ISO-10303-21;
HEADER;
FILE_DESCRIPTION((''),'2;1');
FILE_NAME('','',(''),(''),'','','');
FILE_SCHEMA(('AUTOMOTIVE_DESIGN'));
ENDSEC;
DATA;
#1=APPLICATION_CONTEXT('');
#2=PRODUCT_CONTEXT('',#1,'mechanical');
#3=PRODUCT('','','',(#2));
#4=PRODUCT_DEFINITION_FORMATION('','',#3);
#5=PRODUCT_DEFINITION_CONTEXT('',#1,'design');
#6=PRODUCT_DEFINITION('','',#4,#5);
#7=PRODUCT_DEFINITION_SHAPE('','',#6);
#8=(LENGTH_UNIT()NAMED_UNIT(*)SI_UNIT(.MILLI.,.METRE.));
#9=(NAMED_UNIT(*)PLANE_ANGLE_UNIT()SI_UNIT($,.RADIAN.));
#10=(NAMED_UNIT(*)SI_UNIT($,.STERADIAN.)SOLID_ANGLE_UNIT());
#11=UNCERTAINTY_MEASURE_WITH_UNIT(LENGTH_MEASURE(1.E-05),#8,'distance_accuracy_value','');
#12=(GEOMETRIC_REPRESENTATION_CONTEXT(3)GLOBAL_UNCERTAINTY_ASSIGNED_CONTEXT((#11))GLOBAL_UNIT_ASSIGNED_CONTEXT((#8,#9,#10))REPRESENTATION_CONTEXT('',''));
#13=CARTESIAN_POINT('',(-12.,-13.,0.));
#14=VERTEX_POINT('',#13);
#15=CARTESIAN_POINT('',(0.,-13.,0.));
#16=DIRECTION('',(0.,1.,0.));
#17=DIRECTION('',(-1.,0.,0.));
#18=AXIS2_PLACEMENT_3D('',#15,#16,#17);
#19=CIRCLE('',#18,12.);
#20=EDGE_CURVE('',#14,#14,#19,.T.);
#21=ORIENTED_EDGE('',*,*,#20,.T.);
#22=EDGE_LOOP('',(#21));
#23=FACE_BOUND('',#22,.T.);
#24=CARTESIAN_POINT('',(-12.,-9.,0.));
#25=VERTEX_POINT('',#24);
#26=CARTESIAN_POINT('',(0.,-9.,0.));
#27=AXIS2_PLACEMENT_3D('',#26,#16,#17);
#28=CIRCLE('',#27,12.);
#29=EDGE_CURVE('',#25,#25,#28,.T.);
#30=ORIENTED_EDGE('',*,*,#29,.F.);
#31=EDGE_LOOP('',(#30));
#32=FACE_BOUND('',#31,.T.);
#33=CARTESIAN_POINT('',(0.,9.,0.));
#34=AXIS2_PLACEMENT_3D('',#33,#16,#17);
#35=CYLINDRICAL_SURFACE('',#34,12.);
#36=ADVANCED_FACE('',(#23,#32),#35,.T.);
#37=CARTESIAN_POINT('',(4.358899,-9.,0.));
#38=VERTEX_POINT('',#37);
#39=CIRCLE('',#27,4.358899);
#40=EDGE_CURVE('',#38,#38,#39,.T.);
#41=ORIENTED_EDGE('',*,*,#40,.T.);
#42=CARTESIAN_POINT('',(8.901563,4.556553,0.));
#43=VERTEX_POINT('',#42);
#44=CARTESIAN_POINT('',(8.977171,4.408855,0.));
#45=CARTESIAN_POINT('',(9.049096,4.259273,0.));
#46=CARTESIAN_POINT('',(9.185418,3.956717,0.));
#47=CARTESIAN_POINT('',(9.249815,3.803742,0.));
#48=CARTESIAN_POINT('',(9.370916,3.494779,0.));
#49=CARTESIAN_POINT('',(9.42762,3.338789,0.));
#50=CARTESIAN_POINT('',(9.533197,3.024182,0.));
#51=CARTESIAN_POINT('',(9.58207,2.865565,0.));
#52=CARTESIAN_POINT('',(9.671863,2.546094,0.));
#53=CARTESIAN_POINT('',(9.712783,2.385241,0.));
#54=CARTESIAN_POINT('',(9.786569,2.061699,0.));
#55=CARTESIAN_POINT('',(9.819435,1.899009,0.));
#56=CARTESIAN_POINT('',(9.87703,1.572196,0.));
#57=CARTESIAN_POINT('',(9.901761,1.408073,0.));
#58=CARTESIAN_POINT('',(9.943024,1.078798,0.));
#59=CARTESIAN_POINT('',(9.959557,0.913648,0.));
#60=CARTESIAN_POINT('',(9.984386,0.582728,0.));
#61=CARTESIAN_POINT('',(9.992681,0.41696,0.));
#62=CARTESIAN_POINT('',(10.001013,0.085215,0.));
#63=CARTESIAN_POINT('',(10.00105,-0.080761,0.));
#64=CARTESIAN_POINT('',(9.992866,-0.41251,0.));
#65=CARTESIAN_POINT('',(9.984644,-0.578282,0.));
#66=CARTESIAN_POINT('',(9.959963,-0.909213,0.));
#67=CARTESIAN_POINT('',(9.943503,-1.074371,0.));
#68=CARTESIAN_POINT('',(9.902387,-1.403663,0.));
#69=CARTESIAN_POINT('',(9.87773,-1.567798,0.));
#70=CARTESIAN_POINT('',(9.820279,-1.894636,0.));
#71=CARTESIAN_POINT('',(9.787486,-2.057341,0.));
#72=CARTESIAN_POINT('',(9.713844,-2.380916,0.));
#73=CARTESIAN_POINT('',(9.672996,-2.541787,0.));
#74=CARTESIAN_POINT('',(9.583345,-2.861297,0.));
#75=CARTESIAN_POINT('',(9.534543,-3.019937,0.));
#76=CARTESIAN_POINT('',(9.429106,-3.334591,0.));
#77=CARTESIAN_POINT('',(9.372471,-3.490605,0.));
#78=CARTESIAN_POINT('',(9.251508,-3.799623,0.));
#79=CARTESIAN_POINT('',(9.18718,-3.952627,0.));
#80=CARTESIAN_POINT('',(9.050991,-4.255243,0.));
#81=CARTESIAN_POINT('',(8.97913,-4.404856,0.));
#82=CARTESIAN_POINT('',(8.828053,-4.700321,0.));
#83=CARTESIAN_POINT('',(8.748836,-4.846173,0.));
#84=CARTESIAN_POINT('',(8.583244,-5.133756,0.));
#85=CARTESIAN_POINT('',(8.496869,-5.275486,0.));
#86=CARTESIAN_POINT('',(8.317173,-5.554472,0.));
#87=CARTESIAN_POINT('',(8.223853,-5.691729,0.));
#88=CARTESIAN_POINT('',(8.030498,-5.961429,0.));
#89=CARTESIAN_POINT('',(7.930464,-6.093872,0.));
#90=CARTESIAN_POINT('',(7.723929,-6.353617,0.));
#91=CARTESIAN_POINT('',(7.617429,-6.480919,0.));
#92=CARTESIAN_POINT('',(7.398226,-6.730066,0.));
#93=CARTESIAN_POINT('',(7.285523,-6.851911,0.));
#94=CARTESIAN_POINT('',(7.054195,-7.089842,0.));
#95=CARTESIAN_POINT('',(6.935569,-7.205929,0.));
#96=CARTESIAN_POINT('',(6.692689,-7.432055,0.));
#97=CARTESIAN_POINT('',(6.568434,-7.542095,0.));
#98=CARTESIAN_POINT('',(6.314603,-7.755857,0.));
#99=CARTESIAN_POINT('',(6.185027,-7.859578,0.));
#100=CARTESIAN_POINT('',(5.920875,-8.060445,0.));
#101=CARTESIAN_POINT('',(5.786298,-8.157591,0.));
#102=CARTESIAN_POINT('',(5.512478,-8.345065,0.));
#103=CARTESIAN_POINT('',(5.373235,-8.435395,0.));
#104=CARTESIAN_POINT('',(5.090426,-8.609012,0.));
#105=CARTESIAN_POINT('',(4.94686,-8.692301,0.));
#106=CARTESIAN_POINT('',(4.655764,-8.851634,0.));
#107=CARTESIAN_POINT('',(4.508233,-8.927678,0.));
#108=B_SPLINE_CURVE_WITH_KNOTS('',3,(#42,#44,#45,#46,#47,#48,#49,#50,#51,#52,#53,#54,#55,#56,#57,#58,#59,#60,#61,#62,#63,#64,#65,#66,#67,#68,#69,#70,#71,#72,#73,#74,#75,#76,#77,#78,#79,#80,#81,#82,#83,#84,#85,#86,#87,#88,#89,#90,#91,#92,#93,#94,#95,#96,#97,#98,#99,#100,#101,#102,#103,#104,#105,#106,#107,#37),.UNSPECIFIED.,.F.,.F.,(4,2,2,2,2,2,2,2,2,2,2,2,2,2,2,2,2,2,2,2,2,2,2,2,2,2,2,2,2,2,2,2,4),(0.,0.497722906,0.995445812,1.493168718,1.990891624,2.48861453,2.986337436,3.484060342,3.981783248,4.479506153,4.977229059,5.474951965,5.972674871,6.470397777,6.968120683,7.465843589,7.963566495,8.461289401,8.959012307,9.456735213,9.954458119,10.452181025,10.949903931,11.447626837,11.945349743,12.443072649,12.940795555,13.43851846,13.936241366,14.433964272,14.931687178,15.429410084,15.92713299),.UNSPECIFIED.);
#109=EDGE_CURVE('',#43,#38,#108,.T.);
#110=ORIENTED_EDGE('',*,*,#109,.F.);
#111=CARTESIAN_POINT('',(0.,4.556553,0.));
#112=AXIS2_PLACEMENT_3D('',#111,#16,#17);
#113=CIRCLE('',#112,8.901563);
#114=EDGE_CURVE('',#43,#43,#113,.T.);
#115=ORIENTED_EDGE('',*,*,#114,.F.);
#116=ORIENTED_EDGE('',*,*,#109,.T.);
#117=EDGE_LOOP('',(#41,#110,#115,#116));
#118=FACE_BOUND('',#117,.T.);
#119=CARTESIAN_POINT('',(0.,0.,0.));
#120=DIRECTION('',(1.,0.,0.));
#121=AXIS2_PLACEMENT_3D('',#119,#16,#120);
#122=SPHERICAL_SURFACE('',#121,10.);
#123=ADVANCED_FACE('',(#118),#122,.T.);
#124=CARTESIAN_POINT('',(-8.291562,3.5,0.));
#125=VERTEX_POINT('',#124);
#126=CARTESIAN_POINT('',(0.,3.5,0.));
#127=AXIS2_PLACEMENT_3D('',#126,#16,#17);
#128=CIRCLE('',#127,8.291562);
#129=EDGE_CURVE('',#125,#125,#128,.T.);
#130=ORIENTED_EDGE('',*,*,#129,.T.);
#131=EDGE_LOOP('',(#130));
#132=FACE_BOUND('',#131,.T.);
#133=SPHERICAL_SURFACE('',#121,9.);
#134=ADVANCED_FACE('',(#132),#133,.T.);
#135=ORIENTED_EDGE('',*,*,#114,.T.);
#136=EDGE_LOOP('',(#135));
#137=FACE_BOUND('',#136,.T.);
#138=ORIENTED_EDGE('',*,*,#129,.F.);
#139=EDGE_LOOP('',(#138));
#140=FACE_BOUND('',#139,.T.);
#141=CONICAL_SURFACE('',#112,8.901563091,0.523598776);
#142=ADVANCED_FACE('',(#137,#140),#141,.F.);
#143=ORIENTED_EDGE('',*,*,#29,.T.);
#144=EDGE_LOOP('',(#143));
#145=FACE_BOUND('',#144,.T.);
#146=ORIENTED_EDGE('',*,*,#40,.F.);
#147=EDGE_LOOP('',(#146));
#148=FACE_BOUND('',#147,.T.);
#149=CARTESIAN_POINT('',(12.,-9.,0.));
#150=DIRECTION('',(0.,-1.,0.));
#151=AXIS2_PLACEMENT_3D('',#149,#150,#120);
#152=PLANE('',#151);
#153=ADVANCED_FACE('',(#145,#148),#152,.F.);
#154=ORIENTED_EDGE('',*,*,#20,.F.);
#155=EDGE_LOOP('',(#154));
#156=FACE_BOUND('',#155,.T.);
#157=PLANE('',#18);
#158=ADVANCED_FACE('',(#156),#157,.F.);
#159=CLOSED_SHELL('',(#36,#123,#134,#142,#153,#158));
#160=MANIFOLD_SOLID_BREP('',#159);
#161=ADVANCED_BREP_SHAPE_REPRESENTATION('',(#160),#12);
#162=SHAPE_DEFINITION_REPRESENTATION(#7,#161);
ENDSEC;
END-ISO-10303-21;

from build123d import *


with BuildPart() as part:
    # Sketch1 → Revolve1 (revolve)
    with BuildSketch(Plane.XY, mode=Mode.PRIVATE) as revolve1_sk:
        with BuildLine():
            Line((0, -13), (12, -13))
            Line((12, -13), (12, -9))
            Line((12, -9), (4.358898944, -9))
            ThreePointArc((4.358898944, -9), (9.481824462, -3.177263739), (8.901563091, 4.556552923))
            Line((8.901563091, 4.556552923), (8.291561976, 3.5))
            ThreePointArc((8.291561976, 3.5), (4.974937186, 7.5), (0, 9))
            Line((0, 9), (0, -13))
        make_face()
    revolve(revolve1_sk.sketch.rotate(Axis((0, 9, 0), (0, -1, 0)), 180), axis=Axis((0, 9, 0), (0, -1, 0)))


solid = part.part
